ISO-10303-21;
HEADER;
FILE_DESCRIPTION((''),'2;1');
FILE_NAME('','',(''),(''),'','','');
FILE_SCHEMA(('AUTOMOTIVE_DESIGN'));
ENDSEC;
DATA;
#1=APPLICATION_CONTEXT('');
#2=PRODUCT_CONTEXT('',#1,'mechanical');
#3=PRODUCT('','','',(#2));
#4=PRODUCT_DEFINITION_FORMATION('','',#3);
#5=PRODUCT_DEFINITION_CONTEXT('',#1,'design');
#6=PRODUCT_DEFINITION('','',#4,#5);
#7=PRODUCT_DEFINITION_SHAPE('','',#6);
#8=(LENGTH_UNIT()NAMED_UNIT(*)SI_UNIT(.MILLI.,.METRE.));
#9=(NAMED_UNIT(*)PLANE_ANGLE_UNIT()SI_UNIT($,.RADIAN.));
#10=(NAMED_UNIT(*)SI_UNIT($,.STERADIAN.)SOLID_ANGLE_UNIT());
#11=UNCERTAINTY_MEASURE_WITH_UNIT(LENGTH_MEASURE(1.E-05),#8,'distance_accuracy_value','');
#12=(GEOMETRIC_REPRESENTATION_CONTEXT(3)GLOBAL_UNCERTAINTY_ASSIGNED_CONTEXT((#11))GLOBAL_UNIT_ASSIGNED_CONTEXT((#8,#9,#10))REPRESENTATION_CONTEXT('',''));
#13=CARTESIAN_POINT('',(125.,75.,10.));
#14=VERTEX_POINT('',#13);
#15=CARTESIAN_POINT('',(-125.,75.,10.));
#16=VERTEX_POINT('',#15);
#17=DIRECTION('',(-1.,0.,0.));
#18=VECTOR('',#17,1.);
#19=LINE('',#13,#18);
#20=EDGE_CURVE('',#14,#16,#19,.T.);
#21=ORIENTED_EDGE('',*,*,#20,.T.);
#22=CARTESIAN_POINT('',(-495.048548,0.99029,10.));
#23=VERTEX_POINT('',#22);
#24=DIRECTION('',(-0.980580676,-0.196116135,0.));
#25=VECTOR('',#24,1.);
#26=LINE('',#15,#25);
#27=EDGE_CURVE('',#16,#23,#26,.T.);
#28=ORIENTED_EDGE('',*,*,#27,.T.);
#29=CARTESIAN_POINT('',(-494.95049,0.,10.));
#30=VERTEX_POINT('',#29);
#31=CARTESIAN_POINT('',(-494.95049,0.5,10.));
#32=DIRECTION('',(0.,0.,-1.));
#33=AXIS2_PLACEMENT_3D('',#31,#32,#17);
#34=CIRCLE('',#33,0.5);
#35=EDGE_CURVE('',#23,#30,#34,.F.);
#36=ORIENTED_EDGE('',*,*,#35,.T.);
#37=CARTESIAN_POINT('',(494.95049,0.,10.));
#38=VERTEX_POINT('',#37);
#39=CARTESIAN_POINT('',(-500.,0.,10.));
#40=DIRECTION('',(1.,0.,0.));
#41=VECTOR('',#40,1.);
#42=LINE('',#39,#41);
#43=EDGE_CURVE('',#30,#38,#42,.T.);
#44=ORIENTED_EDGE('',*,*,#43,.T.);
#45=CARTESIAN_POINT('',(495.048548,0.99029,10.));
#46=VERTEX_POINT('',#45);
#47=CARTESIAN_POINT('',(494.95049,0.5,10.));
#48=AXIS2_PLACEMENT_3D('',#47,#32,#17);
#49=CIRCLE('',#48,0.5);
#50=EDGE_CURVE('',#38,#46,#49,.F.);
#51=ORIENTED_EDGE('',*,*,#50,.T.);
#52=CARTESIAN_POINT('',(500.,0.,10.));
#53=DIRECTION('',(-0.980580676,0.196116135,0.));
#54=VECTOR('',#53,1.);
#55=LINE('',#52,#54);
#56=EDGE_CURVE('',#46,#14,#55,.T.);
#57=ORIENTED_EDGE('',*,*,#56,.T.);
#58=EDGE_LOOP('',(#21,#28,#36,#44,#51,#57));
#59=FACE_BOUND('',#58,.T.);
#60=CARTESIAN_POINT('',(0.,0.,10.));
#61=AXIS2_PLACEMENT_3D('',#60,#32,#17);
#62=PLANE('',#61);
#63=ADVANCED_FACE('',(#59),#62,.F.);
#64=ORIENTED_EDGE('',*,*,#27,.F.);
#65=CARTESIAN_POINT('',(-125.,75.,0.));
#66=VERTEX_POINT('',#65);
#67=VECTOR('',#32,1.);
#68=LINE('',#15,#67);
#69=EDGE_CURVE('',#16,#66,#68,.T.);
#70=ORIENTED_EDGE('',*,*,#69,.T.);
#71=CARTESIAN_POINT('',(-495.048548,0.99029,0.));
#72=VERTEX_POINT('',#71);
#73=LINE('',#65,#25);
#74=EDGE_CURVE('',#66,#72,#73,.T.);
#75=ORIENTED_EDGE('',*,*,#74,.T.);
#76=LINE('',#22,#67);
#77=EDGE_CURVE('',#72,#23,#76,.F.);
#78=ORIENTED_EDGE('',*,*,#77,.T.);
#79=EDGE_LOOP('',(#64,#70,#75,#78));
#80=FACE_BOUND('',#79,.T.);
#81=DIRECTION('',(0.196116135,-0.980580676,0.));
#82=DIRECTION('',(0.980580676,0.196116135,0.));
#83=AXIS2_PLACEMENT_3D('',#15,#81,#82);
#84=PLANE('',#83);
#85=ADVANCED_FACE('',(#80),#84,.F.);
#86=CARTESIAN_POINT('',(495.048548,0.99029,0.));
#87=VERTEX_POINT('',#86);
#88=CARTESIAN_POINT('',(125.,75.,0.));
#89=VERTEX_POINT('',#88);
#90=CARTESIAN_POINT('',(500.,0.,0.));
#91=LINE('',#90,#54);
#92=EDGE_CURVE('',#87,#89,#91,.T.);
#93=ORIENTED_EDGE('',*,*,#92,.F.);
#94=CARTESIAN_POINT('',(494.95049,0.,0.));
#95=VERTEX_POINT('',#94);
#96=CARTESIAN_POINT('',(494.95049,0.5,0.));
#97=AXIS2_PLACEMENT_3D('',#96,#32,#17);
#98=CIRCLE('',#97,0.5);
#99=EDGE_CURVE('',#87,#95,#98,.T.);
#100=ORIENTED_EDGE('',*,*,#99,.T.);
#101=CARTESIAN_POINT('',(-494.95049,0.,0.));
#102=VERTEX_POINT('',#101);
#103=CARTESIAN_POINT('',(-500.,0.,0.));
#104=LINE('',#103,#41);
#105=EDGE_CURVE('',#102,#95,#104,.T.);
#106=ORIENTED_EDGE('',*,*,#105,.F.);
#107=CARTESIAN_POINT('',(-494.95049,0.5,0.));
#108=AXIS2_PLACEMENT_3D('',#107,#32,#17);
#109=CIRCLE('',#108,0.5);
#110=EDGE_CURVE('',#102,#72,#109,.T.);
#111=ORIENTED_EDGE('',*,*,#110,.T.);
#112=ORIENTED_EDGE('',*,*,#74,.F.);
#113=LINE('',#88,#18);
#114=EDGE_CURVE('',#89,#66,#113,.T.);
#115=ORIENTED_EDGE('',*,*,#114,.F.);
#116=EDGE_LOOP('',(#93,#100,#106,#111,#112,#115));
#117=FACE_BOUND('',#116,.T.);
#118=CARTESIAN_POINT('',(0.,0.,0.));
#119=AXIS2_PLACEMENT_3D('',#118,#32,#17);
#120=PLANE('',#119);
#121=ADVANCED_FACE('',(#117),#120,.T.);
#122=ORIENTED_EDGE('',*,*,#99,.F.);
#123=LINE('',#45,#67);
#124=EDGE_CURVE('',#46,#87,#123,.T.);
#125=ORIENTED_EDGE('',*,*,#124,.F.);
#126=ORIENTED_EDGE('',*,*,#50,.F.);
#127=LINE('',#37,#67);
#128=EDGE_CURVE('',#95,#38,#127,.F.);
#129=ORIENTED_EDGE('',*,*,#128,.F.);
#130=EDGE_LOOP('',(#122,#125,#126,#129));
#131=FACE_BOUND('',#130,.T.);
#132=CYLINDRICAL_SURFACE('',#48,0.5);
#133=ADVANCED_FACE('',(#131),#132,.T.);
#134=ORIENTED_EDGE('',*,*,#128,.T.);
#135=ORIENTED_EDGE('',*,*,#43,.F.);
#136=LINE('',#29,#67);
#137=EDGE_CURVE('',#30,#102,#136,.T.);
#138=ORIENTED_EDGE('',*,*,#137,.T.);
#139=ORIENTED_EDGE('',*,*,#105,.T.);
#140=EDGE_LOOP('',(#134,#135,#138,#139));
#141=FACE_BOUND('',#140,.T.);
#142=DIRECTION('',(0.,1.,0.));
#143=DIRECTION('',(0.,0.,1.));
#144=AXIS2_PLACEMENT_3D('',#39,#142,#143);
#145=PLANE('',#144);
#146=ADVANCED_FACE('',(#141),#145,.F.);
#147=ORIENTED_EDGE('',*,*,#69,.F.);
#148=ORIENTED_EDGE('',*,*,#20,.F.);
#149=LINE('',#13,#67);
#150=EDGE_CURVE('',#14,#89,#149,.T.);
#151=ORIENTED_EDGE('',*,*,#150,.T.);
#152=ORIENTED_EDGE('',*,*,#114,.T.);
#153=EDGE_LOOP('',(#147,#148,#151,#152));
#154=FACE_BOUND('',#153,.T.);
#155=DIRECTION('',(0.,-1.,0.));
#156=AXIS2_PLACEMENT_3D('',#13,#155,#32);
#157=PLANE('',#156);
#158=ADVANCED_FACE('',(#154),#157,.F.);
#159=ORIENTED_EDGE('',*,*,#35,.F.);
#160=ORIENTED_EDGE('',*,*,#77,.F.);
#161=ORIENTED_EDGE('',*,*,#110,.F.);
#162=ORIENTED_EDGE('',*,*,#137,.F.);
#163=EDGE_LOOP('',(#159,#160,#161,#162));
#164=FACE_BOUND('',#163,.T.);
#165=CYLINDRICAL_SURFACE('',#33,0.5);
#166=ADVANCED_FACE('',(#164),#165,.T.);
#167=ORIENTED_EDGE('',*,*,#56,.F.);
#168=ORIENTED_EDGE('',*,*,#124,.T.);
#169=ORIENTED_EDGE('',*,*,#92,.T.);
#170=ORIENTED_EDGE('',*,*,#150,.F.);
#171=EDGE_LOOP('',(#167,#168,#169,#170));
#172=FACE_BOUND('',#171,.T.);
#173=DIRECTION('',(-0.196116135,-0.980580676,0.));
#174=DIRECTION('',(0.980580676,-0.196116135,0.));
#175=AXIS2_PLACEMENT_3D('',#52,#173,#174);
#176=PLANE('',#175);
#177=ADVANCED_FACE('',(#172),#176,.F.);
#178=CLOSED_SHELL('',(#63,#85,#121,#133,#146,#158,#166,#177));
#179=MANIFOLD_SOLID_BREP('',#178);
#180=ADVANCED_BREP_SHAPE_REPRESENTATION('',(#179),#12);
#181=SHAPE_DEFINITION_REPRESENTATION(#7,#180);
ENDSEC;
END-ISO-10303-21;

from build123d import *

# Parameters (mm, degrees)
BOSS_EXTRUDE1_DEPTH = 10
FILLET1_R           = 0.5


with BuildPart() as part:
    # Sketch1 → Boss-Extrude1 (new body)
    with BuildSketch(Plane.XY):
        Polygon((-500, 0), (500, 0), (125, 75), (-125, 75), align=None)
    extrude(amount=BOSS_EXTRUDE1_DEPTH)

    # Fillet1
    fillet1_edges = [part.edges().sort_by_distance(p)[0] for p in [
        (500, 0, 5),
        (-500, 0, 5),
    ]]
    fillet(fillet1_edges, radius=FILLET1_R)


solid = part.part
